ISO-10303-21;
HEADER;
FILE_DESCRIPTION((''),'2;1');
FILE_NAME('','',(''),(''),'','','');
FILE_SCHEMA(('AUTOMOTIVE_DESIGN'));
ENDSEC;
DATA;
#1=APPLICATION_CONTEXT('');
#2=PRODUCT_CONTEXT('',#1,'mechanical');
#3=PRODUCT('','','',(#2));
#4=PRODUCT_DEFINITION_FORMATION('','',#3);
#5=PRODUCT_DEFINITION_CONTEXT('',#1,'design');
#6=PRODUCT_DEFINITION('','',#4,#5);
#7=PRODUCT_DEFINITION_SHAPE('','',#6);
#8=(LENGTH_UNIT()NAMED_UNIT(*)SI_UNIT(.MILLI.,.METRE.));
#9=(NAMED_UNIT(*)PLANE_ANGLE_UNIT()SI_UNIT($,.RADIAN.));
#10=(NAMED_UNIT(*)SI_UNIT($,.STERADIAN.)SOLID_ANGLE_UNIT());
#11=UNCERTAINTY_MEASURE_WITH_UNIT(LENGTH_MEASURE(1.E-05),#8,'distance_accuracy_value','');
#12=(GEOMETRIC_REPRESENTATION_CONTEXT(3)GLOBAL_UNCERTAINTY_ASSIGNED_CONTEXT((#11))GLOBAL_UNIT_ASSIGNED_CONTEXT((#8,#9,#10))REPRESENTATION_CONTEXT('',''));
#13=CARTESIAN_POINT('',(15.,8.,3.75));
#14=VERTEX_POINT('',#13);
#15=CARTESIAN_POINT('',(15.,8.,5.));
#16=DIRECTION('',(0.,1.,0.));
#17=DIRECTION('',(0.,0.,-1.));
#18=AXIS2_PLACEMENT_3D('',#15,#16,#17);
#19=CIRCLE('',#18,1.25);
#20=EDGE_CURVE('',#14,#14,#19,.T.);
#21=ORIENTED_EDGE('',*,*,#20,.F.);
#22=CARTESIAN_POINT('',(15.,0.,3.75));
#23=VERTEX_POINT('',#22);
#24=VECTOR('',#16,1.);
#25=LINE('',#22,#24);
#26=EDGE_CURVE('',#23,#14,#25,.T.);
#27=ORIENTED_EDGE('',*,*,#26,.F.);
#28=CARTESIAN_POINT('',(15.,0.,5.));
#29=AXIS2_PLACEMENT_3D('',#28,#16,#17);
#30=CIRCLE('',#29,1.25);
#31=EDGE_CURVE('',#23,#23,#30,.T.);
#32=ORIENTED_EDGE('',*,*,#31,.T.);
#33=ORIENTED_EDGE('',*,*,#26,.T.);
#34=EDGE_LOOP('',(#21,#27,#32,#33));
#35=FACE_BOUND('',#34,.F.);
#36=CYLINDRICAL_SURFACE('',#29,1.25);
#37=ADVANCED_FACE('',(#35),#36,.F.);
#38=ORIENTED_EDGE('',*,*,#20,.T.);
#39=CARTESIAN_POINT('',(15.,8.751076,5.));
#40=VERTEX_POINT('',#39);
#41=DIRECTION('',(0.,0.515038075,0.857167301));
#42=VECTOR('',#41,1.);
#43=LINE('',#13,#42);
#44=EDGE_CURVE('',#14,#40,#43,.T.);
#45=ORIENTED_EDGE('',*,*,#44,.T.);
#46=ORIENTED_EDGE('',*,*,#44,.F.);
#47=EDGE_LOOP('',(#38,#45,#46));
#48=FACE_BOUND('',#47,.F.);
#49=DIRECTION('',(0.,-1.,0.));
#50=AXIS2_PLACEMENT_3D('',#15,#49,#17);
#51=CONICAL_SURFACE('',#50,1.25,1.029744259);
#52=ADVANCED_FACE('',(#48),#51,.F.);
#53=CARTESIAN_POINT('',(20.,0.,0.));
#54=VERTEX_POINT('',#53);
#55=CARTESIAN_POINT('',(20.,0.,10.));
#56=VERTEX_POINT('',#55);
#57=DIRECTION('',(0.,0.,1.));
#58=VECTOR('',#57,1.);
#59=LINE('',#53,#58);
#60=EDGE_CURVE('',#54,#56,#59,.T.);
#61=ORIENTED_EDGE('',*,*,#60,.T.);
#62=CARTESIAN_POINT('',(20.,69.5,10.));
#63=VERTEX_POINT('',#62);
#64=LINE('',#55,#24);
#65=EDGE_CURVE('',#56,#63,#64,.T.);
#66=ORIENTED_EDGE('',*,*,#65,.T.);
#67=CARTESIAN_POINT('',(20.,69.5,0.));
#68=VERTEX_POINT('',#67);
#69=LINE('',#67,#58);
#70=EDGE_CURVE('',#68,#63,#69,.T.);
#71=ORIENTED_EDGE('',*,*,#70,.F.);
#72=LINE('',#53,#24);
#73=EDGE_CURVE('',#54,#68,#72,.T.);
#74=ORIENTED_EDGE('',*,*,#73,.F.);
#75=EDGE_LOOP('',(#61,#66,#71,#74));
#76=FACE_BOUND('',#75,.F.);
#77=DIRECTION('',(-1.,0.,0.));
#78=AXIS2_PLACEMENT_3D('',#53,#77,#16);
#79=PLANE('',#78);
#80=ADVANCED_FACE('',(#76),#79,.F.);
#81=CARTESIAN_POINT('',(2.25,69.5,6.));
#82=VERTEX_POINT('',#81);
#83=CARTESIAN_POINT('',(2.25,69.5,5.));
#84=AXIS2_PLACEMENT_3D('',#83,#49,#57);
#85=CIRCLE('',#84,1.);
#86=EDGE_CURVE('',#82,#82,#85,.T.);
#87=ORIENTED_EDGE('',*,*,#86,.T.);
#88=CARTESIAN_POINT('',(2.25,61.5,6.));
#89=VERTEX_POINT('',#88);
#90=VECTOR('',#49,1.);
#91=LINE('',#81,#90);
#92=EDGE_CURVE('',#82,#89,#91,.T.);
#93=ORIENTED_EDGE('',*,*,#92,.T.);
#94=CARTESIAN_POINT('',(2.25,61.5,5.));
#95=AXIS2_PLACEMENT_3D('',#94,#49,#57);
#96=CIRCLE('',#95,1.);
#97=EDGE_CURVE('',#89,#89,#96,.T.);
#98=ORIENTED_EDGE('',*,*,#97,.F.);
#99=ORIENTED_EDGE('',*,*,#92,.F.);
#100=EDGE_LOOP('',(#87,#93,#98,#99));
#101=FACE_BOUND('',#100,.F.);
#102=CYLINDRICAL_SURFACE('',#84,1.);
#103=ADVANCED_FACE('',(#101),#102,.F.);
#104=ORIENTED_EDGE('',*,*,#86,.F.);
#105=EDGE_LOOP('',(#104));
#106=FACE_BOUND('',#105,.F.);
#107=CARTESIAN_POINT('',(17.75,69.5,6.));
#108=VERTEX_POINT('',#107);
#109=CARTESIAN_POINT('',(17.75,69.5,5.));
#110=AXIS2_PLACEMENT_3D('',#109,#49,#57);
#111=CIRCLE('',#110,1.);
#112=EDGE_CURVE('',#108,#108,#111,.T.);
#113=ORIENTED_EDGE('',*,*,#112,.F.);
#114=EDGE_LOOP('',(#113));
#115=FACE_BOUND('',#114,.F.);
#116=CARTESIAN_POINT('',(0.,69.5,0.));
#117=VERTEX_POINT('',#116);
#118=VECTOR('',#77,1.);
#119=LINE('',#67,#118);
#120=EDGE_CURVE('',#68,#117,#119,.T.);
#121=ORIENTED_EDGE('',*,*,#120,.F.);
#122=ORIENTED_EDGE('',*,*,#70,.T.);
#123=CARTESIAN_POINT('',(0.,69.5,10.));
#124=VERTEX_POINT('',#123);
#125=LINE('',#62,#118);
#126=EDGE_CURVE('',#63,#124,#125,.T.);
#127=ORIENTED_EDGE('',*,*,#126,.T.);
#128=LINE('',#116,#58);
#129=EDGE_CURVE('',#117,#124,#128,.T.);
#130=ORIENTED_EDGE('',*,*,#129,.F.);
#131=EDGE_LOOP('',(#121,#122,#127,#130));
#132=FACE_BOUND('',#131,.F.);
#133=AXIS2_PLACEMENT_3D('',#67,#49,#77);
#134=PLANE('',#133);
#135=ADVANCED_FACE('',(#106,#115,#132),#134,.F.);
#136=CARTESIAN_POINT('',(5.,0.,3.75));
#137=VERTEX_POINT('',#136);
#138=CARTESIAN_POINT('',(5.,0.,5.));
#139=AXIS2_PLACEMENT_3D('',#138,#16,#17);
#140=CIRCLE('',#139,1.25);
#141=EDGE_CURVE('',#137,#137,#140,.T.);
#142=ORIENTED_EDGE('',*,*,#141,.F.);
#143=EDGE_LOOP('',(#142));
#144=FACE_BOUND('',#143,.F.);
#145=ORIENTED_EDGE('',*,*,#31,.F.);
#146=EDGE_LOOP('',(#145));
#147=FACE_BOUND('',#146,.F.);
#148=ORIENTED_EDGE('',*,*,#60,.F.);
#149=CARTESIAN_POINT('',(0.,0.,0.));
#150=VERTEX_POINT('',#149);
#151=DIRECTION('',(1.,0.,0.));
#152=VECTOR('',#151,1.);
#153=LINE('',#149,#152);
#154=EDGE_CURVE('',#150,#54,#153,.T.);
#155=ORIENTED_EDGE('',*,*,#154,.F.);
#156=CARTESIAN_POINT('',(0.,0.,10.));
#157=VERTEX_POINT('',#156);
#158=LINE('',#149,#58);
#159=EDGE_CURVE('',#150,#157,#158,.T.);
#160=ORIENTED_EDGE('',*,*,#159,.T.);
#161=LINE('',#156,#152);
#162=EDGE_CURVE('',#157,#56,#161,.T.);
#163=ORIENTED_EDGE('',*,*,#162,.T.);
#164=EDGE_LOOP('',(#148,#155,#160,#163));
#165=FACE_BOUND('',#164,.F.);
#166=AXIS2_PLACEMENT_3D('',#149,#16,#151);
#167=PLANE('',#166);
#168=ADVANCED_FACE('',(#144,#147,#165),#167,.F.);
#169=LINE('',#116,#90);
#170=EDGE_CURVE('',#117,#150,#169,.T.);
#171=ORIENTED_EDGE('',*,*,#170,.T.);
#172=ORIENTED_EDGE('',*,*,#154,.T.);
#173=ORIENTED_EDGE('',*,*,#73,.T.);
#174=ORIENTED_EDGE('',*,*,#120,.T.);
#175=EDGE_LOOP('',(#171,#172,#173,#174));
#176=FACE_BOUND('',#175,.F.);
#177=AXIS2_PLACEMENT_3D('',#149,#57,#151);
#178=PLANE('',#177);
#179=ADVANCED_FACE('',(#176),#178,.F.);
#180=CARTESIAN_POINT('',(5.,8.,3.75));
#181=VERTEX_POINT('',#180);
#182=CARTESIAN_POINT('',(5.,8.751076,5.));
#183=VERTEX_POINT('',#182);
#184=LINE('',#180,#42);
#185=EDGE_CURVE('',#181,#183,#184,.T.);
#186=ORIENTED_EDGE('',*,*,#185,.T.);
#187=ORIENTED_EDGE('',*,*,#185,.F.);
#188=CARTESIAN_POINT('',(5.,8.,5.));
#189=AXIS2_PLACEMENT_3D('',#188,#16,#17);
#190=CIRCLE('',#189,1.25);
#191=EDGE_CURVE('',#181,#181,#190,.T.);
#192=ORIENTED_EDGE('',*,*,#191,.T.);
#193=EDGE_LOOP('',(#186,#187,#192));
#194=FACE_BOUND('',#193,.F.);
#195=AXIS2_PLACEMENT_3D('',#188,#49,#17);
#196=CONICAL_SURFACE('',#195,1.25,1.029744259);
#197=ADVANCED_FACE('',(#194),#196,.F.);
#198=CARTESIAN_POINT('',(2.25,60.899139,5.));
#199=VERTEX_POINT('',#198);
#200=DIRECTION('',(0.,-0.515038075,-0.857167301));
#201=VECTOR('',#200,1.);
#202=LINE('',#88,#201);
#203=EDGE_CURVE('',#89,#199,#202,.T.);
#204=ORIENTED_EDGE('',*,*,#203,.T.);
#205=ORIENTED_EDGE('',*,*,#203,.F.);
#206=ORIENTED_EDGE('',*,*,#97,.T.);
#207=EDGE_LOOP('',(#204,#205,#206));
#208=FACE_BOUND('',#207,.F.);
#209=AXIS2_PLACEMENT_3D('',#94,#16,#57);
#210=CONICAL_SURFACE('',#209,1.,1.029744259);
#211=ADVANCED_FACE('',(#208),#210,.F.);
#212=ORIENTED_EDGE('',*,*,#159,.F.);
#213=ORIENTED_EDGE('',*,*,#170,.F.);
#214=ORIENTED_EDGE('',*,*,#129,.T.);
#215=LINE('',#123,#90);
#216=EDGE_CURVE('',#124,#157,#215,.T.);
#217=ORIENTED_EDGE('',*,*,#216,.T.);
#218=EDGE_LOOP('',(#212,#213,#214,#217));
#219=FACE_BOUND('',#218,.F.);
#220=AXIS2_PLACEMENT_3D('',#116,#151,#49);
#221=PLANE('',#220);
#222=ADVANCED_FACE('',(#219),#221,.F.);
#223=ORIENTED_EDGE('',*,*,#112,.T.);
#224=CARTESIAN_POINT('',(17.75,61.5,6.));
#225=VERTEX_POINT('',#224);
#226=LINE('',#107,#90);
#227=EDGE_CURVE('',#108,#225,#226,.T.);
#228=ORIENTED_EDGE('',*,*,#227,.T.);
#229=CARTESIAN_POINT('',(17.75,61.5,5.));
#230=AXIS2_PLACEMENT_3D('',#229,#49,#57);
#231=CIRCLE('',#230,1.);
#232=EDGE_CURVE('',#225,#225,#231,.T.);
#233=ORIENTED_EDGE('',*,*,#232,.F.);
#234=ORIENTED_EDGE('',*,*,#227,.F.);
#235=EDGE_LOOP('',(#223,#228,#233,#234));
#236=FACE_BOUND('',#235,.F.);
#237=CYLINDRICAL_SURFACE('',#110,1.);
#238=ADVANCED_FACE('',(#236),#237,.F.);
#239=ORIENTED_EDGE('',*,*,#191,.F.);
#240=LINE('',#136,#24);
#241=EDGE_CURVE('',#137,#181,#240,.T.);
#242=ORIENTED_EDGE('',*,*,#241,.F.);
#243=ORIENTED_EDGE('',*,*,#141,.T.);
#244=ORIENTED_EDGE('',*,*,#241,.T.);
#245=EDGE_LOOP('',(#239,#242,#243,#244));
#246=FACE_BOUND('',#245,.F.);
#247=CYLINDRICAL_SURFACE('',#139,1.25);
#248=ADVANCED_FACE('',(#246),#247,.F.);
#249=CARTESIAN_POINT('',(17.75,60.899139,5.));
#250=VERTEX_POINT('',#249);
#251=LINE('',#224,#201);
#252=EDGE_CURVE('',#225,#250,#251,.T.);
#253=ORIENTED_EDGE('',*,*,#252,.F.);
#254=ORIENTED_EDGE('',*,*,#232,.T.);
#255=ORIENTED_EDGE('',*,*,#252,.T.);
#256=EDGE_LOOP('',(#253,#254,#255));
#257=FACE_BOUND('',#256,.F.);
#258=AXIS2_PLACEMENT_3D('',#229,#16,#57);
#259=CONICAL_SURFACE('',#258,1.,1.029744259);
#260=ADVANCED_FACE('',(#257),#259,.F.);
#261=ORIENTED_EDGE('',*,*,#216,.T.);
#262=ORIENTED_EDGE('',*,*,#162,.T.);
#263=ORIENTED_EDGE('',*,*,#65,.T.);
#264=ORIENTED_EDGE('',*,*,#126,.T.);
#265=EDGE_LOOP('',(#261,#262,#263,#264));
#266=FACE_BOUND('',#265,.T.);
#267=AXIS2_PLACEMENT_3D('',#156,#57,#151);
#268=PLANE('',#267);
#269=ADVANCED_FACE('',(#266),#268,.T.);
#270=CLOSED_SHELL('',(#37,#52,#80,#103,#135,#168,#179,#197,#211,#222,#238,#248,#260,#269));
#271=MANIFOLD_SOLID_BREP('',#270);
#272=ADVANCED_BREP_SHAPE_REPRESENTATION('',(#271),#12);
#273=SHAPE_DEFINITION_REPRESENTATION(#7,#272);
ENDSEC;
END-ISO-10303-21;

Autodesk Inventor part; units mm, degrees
ref_plane "YZ Plane" through (0, 0, 0) normal (1, 0, 0) x (0, 1, 0)
ref_plane "XZ Plane" through (0, 0, 0) normal (0, 1, 0) x (-1, 0, 0)
ref_plane "XY Plane" through (0, 0, 0) normal (0, 0, 1) x (1, 0, 0)
sketch "Skizze1" plane through (0, 0, 0) normal (0, 0, 1) x (1, 0, 0)
  line L0 (0, 0) -> (20, 0)
  line L1 (20, 0) -> (20, 69.5)
  line L2 (20, 69.5) -> (0, 69.5)
  line L3 (0, 69.5) -> (0, 0)
  dimension "d0" = 20
  dimension "d1" = 69.5
extrude "Extrusion1" add sketch "Skizze1" along normal blind 10
sketch "Skizze2" plane through (0, 69.5, 0) normal (0, 1, 0) x (1, 0, 0)
  line L0 (20, 0) -> (20, -10) projected
  line L1 (20, -10) -> (20, -5)
  line L2 (20, -5) -> (17.75, -5)
  line L3 (17.75, -5) -> (2.25, -5)
  point P0 (0, 0)
  dimension "d4" = 2.25
  dimension "d5" = 15.5
hole "Bohrung1" at (2.25, 69.5, 5) at (17.75, 69.5, 5) direction (0, -1, 0) diameter 2 depth 8 tip angle 118
sketch "Skizze3" plane through (0, 0, 0) normal (0, -1, 0) x (1, 0, 0)
  line L0 (20, 10) -> (0, 10) projected
  line L1 (0, 10) -> (0, 5)
  line L2 (0, 0) -> (0, 10) projected
  line L3 (0, 5) -> (5, 5)
  line L4 (5, 5) -> (15, 5)
  dimension "d13" = 5
  dimension "d14" = 10
hole "Bohrung2" at (5, 0, 5) at (15, 0, 5) direction (0, 1, 0) diameter 2.5 depth 8 tip angle 118
properties part number "Sensor_Halterung_Drehplatte" material "Holz (Eiche)"
